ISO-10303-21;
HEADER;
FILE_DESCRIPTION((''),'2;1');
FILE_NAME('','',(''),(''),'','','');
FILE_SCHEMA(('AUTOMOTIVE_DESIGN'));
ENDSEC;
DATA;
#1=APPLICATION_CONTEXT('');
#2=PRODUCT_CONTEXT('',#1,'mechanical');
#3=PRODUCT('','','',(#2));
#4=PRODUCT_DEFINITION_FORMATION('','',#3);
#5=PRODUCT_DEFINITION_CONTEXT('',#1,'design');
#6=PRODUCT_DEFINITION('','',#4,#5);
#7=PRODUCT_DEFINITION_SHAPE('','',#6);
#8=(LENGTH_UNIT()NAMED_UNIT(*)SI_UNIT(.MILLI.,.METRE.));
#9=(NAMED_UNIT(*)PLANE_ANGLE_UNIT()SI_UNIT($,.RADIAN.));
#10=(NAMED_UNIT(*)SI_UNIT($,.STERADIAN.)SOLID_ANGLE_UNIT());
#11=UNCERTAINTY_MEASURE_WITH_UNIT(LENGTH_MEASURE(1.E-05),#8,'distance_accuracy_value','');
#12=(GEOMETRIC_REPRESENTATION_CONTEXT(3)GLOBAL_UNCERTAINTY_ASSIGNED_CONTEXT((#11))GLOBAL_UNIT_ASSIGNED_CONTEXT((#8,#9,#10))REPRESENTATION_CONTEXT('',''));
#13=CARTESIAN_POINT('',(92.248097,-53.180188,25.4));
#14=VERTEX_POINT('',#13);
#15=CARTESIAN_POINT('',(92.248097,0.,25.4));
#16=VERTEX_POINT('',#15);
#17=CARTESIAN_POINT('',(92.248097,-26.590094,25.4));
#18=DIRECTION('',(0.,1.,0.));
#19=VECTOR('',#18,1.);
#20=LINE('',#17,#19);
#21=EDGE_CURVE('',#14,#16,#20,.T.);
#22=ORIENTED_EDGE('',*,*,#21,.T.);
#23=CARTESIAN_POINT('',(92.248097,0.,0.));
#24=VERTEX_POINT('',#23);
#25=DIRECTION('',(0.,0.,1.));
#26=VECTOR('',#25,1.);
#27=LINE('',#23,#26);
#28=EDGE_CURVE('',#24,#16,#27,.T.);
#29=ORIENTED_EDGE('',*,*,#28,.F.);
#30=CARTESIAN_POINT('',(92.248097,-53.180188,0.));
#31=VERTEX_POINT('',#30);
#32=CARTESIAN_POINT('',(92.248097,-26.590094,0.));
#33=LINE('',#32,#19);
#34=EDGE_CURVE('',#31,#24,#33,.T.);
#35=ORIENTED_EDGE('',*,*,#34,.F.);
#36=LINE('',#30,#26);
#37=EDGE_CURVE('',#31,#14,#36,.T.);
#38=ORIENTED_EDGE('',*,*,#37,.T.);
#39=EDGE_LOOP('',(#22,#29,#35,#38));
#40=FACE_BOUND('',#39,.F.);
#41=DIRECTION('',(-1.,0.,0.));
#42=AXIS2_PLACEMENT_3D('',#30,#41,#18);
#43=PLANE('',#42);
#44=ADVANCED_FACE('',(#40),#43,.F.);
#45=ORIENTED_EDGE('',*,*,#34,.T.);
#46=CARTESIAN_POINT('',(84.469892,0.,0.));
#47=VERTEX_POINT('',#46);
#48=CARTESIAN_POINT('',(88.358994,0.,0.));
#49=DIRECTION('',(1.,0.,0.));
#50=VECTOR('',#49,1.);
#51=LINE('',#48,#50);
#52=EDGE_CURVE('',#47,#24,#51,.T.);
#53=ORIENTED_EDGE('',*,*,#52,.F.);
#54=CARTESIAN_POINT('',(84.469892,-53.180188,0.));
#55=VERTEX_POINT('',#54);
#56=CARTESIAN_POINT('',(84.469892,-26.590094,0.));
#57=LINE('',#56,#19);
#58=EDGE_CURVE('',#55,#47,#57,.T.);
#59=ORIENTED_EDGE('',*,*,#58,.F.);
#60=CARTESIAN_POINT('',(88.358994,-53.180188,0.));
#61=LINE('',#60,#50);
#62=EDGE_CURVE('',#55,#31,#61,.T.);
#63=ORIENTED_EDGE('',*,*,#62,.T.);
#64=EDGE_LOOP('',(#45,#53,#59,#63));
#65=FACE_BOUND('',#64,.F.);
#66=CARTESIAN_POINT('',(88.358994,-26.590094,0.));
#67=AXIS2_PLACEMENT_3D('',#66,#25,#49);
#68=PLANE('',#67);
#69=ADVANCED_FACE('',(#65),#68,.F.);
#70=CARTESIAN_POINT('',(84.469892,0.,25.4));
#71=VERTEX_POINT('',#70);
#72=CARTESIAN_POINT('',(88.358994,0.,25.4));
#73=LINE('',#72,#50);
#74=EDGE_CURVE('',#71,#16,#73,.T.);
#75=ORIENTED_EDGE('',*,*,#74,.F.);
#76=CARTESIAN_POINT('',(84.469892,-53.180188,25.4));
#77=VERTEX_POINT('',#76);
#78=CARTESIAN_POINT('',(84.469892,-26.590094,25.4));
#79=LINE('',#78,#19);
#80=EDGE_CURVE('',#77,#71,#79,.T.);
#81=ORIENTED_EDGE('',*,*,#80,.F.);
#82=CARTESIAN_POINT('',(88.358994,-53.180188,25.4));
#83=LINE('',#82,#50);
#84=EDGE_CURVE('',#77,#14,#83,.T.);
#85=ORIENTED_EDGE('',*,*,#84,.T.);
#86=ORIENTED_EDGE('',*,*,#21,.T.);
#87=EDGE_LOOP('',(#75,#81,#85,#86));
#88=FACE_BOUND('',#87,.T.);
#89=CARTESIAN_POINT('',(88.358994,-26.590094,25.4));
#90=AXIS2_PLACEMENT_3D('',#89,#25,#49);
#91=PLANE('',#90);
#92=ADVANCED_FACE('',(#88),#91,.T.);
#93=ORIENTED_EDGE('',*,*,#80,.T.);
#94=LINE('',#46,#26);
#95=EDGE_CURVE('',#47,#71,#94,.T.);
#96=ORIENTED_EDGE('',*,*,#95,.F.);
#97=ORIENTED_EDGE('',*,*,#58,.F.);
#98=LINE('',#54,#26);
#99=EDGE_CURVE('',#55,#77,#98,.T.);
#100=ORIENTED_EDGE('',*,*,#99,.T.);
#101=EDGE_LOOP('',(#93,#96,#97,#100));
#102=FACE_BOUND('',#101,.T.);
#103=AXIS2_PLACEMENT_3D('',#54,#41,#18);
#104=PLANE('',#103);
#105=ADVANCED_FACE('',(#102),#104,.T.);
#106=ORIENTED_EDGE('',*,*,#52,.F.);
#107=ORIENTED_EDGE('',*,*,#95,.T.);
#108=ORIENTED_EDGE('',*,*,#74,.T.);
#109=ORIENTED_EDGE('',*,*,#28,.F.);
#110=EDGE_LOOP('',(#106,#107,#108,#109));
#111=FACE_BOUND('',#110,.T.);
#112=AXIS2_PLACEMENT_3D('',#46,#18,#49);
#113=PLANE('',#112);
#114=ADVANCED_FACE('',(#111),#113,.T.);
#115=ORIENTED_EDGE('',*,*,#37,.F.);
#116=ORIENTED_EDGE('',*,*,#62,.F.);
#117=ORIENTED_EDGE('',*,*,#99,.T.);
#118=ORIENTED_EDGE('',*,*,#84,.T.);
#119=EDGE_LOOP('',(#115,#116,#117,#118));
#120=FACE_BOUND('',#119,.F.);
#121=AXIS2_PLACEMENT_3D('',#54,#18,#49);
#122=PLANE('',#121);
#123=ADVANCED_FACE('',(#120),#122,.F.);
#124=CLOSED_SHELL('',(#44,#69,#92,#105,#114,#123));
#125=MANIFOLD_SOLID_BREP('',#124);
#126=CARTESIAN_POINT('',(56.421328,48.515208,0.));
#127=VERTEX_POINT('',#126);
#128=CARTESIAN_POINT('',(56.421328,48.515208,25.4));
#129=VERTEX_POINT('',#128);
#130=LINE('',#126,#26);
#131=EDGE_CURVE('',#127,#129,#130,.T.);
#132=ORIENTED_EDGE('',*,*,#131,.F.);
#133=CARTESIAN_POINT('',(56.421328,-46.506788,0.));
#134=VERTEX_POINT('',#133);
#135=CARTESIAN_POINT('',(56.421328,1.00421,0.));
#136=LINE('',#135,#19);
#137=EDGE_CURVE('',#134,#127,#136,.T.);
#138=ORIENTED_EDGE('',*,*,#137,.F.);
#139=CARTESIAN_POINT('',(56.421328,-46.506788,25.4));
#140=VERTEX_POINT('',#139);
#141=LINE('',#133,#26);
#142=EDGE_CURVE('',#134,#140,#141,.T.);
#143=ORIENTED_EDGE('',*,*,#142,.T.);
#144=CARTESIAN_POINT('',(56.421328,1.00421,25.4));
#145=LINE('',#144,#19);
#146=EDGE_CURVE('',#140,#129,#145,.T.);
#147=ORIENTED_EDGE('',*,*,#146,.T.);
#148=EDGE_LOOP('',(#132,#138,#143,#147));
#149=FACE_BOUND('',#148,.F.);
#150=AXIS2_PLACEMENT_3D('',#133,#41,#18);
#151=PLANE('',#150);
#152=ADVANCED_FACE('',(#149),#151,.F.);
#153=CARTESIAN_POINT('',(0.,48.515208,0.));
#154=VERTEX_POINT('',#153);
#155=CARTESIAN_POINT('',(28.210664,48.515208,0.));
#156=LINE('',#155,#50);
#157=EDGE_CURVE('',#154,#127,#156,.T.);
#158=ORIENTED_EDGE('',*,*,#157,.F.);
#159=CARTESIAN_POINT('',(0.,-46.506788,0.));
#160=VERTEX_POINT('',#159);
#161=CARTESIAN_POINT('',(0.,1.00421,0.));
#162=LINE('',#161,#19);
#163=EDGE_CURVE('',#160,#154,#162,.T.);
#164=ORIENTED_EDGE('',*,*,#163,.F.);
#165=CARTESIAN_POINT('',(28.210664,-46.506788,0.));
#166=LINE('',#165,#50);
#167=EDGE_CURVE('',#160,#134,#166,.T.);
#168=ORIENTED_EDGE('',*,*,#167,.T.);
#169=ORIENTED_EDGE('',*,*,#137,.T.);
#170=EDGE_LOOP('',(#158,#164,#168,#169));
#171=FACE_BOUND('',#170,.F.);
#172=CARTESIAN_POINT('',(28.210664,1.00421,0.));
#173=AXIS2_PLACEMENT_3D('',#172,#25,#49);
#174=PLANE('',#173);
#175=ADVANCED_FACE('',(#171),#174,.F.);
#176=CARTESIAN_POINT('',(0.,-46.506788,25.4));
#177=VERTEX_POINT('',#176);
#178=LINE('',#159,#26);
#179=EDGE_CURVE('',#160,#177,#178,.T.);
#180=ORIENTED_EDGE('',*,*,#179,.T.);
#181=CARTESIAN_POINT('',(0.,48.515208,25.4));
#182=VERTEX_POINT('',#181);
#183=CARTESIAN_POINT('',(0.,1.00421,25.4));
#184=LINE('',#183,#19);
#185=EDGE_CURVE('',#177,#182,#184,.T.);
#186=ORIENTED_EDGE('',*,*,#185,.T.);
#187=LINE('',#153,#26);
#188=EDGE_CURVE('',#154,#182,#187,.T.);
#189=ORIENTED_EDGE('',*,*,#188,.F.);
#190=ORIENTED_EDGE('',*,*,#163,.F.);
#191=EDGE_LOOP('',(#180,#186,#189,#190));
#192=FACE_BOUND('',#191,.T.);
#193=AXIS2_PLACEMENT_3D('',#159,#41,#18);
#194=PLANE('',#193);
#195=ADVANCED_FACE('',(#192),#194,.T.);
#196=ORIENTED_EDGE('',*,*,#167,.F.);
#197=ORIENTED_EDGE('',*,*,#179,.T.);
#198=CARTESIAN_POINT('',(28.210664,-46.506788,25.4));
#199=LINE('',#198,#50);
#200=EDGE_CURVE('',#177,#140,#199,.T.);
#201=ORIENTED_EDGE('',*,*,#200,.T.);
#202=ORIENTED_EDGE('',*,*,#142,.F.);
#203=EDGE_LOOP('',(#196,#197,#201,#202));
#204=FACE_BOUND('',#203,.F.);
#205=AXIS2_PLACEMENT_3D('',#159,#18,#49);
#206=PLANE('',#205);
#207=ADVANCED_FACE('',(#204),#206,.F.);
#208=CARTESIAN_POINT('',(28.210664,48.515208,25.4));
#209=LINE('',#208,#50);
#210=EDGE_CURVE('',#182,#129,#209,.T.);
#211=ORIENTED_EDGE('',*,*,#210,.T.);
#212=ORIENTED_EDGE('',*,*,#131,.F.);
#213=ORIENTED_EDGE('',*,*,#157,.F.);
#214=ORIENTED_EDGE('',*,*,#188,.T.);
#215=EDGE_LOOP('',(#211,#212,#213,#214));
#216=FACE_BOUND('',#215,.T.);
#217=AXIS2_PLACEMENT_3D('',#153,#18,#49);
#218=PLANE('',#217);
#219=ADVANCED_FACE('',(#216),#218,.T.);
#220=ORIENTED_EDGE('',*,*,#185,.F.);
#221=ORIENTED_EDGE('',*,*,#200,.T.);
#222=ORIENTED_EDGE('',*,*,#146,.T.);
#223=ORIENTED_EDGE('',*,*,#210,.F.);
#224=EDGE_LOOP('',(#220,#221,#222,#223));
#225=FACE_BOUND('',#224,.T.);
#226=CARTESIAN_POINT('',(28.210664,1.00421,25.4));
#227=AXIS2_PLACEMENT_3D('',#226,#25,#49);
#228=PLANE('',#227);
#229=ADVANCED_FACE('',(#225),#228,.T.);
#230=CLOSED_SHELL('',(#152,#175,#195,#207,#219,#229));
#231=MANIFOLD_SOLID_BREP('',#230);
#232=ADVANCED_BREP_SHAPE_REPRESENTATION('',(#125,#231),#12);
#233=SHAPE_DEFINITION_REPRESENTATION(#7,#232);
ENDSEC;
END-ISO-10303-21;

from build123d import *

# Parameters (mm, degrees)
F0_W     = 56.421328
F0_H     = 95.021997
F0_W_2   = 7.778205
F0_H_2   = 53.180188
F1_DEPTH = 25.4


with BuildPart() as f1:
    # F0 (on Top) → F1 (new body)
    with BuildSketch(Plane.XY):
        with Locations((28.210664, 1.00421)):
            Rectangle(F0_W, F0_H)
        with Locations((88.358994, -26.590094)):
            Rectangle(F0_W_2, F0_H_2)
    extrude(amount=F1_DEPTH)


solid = f1.part
